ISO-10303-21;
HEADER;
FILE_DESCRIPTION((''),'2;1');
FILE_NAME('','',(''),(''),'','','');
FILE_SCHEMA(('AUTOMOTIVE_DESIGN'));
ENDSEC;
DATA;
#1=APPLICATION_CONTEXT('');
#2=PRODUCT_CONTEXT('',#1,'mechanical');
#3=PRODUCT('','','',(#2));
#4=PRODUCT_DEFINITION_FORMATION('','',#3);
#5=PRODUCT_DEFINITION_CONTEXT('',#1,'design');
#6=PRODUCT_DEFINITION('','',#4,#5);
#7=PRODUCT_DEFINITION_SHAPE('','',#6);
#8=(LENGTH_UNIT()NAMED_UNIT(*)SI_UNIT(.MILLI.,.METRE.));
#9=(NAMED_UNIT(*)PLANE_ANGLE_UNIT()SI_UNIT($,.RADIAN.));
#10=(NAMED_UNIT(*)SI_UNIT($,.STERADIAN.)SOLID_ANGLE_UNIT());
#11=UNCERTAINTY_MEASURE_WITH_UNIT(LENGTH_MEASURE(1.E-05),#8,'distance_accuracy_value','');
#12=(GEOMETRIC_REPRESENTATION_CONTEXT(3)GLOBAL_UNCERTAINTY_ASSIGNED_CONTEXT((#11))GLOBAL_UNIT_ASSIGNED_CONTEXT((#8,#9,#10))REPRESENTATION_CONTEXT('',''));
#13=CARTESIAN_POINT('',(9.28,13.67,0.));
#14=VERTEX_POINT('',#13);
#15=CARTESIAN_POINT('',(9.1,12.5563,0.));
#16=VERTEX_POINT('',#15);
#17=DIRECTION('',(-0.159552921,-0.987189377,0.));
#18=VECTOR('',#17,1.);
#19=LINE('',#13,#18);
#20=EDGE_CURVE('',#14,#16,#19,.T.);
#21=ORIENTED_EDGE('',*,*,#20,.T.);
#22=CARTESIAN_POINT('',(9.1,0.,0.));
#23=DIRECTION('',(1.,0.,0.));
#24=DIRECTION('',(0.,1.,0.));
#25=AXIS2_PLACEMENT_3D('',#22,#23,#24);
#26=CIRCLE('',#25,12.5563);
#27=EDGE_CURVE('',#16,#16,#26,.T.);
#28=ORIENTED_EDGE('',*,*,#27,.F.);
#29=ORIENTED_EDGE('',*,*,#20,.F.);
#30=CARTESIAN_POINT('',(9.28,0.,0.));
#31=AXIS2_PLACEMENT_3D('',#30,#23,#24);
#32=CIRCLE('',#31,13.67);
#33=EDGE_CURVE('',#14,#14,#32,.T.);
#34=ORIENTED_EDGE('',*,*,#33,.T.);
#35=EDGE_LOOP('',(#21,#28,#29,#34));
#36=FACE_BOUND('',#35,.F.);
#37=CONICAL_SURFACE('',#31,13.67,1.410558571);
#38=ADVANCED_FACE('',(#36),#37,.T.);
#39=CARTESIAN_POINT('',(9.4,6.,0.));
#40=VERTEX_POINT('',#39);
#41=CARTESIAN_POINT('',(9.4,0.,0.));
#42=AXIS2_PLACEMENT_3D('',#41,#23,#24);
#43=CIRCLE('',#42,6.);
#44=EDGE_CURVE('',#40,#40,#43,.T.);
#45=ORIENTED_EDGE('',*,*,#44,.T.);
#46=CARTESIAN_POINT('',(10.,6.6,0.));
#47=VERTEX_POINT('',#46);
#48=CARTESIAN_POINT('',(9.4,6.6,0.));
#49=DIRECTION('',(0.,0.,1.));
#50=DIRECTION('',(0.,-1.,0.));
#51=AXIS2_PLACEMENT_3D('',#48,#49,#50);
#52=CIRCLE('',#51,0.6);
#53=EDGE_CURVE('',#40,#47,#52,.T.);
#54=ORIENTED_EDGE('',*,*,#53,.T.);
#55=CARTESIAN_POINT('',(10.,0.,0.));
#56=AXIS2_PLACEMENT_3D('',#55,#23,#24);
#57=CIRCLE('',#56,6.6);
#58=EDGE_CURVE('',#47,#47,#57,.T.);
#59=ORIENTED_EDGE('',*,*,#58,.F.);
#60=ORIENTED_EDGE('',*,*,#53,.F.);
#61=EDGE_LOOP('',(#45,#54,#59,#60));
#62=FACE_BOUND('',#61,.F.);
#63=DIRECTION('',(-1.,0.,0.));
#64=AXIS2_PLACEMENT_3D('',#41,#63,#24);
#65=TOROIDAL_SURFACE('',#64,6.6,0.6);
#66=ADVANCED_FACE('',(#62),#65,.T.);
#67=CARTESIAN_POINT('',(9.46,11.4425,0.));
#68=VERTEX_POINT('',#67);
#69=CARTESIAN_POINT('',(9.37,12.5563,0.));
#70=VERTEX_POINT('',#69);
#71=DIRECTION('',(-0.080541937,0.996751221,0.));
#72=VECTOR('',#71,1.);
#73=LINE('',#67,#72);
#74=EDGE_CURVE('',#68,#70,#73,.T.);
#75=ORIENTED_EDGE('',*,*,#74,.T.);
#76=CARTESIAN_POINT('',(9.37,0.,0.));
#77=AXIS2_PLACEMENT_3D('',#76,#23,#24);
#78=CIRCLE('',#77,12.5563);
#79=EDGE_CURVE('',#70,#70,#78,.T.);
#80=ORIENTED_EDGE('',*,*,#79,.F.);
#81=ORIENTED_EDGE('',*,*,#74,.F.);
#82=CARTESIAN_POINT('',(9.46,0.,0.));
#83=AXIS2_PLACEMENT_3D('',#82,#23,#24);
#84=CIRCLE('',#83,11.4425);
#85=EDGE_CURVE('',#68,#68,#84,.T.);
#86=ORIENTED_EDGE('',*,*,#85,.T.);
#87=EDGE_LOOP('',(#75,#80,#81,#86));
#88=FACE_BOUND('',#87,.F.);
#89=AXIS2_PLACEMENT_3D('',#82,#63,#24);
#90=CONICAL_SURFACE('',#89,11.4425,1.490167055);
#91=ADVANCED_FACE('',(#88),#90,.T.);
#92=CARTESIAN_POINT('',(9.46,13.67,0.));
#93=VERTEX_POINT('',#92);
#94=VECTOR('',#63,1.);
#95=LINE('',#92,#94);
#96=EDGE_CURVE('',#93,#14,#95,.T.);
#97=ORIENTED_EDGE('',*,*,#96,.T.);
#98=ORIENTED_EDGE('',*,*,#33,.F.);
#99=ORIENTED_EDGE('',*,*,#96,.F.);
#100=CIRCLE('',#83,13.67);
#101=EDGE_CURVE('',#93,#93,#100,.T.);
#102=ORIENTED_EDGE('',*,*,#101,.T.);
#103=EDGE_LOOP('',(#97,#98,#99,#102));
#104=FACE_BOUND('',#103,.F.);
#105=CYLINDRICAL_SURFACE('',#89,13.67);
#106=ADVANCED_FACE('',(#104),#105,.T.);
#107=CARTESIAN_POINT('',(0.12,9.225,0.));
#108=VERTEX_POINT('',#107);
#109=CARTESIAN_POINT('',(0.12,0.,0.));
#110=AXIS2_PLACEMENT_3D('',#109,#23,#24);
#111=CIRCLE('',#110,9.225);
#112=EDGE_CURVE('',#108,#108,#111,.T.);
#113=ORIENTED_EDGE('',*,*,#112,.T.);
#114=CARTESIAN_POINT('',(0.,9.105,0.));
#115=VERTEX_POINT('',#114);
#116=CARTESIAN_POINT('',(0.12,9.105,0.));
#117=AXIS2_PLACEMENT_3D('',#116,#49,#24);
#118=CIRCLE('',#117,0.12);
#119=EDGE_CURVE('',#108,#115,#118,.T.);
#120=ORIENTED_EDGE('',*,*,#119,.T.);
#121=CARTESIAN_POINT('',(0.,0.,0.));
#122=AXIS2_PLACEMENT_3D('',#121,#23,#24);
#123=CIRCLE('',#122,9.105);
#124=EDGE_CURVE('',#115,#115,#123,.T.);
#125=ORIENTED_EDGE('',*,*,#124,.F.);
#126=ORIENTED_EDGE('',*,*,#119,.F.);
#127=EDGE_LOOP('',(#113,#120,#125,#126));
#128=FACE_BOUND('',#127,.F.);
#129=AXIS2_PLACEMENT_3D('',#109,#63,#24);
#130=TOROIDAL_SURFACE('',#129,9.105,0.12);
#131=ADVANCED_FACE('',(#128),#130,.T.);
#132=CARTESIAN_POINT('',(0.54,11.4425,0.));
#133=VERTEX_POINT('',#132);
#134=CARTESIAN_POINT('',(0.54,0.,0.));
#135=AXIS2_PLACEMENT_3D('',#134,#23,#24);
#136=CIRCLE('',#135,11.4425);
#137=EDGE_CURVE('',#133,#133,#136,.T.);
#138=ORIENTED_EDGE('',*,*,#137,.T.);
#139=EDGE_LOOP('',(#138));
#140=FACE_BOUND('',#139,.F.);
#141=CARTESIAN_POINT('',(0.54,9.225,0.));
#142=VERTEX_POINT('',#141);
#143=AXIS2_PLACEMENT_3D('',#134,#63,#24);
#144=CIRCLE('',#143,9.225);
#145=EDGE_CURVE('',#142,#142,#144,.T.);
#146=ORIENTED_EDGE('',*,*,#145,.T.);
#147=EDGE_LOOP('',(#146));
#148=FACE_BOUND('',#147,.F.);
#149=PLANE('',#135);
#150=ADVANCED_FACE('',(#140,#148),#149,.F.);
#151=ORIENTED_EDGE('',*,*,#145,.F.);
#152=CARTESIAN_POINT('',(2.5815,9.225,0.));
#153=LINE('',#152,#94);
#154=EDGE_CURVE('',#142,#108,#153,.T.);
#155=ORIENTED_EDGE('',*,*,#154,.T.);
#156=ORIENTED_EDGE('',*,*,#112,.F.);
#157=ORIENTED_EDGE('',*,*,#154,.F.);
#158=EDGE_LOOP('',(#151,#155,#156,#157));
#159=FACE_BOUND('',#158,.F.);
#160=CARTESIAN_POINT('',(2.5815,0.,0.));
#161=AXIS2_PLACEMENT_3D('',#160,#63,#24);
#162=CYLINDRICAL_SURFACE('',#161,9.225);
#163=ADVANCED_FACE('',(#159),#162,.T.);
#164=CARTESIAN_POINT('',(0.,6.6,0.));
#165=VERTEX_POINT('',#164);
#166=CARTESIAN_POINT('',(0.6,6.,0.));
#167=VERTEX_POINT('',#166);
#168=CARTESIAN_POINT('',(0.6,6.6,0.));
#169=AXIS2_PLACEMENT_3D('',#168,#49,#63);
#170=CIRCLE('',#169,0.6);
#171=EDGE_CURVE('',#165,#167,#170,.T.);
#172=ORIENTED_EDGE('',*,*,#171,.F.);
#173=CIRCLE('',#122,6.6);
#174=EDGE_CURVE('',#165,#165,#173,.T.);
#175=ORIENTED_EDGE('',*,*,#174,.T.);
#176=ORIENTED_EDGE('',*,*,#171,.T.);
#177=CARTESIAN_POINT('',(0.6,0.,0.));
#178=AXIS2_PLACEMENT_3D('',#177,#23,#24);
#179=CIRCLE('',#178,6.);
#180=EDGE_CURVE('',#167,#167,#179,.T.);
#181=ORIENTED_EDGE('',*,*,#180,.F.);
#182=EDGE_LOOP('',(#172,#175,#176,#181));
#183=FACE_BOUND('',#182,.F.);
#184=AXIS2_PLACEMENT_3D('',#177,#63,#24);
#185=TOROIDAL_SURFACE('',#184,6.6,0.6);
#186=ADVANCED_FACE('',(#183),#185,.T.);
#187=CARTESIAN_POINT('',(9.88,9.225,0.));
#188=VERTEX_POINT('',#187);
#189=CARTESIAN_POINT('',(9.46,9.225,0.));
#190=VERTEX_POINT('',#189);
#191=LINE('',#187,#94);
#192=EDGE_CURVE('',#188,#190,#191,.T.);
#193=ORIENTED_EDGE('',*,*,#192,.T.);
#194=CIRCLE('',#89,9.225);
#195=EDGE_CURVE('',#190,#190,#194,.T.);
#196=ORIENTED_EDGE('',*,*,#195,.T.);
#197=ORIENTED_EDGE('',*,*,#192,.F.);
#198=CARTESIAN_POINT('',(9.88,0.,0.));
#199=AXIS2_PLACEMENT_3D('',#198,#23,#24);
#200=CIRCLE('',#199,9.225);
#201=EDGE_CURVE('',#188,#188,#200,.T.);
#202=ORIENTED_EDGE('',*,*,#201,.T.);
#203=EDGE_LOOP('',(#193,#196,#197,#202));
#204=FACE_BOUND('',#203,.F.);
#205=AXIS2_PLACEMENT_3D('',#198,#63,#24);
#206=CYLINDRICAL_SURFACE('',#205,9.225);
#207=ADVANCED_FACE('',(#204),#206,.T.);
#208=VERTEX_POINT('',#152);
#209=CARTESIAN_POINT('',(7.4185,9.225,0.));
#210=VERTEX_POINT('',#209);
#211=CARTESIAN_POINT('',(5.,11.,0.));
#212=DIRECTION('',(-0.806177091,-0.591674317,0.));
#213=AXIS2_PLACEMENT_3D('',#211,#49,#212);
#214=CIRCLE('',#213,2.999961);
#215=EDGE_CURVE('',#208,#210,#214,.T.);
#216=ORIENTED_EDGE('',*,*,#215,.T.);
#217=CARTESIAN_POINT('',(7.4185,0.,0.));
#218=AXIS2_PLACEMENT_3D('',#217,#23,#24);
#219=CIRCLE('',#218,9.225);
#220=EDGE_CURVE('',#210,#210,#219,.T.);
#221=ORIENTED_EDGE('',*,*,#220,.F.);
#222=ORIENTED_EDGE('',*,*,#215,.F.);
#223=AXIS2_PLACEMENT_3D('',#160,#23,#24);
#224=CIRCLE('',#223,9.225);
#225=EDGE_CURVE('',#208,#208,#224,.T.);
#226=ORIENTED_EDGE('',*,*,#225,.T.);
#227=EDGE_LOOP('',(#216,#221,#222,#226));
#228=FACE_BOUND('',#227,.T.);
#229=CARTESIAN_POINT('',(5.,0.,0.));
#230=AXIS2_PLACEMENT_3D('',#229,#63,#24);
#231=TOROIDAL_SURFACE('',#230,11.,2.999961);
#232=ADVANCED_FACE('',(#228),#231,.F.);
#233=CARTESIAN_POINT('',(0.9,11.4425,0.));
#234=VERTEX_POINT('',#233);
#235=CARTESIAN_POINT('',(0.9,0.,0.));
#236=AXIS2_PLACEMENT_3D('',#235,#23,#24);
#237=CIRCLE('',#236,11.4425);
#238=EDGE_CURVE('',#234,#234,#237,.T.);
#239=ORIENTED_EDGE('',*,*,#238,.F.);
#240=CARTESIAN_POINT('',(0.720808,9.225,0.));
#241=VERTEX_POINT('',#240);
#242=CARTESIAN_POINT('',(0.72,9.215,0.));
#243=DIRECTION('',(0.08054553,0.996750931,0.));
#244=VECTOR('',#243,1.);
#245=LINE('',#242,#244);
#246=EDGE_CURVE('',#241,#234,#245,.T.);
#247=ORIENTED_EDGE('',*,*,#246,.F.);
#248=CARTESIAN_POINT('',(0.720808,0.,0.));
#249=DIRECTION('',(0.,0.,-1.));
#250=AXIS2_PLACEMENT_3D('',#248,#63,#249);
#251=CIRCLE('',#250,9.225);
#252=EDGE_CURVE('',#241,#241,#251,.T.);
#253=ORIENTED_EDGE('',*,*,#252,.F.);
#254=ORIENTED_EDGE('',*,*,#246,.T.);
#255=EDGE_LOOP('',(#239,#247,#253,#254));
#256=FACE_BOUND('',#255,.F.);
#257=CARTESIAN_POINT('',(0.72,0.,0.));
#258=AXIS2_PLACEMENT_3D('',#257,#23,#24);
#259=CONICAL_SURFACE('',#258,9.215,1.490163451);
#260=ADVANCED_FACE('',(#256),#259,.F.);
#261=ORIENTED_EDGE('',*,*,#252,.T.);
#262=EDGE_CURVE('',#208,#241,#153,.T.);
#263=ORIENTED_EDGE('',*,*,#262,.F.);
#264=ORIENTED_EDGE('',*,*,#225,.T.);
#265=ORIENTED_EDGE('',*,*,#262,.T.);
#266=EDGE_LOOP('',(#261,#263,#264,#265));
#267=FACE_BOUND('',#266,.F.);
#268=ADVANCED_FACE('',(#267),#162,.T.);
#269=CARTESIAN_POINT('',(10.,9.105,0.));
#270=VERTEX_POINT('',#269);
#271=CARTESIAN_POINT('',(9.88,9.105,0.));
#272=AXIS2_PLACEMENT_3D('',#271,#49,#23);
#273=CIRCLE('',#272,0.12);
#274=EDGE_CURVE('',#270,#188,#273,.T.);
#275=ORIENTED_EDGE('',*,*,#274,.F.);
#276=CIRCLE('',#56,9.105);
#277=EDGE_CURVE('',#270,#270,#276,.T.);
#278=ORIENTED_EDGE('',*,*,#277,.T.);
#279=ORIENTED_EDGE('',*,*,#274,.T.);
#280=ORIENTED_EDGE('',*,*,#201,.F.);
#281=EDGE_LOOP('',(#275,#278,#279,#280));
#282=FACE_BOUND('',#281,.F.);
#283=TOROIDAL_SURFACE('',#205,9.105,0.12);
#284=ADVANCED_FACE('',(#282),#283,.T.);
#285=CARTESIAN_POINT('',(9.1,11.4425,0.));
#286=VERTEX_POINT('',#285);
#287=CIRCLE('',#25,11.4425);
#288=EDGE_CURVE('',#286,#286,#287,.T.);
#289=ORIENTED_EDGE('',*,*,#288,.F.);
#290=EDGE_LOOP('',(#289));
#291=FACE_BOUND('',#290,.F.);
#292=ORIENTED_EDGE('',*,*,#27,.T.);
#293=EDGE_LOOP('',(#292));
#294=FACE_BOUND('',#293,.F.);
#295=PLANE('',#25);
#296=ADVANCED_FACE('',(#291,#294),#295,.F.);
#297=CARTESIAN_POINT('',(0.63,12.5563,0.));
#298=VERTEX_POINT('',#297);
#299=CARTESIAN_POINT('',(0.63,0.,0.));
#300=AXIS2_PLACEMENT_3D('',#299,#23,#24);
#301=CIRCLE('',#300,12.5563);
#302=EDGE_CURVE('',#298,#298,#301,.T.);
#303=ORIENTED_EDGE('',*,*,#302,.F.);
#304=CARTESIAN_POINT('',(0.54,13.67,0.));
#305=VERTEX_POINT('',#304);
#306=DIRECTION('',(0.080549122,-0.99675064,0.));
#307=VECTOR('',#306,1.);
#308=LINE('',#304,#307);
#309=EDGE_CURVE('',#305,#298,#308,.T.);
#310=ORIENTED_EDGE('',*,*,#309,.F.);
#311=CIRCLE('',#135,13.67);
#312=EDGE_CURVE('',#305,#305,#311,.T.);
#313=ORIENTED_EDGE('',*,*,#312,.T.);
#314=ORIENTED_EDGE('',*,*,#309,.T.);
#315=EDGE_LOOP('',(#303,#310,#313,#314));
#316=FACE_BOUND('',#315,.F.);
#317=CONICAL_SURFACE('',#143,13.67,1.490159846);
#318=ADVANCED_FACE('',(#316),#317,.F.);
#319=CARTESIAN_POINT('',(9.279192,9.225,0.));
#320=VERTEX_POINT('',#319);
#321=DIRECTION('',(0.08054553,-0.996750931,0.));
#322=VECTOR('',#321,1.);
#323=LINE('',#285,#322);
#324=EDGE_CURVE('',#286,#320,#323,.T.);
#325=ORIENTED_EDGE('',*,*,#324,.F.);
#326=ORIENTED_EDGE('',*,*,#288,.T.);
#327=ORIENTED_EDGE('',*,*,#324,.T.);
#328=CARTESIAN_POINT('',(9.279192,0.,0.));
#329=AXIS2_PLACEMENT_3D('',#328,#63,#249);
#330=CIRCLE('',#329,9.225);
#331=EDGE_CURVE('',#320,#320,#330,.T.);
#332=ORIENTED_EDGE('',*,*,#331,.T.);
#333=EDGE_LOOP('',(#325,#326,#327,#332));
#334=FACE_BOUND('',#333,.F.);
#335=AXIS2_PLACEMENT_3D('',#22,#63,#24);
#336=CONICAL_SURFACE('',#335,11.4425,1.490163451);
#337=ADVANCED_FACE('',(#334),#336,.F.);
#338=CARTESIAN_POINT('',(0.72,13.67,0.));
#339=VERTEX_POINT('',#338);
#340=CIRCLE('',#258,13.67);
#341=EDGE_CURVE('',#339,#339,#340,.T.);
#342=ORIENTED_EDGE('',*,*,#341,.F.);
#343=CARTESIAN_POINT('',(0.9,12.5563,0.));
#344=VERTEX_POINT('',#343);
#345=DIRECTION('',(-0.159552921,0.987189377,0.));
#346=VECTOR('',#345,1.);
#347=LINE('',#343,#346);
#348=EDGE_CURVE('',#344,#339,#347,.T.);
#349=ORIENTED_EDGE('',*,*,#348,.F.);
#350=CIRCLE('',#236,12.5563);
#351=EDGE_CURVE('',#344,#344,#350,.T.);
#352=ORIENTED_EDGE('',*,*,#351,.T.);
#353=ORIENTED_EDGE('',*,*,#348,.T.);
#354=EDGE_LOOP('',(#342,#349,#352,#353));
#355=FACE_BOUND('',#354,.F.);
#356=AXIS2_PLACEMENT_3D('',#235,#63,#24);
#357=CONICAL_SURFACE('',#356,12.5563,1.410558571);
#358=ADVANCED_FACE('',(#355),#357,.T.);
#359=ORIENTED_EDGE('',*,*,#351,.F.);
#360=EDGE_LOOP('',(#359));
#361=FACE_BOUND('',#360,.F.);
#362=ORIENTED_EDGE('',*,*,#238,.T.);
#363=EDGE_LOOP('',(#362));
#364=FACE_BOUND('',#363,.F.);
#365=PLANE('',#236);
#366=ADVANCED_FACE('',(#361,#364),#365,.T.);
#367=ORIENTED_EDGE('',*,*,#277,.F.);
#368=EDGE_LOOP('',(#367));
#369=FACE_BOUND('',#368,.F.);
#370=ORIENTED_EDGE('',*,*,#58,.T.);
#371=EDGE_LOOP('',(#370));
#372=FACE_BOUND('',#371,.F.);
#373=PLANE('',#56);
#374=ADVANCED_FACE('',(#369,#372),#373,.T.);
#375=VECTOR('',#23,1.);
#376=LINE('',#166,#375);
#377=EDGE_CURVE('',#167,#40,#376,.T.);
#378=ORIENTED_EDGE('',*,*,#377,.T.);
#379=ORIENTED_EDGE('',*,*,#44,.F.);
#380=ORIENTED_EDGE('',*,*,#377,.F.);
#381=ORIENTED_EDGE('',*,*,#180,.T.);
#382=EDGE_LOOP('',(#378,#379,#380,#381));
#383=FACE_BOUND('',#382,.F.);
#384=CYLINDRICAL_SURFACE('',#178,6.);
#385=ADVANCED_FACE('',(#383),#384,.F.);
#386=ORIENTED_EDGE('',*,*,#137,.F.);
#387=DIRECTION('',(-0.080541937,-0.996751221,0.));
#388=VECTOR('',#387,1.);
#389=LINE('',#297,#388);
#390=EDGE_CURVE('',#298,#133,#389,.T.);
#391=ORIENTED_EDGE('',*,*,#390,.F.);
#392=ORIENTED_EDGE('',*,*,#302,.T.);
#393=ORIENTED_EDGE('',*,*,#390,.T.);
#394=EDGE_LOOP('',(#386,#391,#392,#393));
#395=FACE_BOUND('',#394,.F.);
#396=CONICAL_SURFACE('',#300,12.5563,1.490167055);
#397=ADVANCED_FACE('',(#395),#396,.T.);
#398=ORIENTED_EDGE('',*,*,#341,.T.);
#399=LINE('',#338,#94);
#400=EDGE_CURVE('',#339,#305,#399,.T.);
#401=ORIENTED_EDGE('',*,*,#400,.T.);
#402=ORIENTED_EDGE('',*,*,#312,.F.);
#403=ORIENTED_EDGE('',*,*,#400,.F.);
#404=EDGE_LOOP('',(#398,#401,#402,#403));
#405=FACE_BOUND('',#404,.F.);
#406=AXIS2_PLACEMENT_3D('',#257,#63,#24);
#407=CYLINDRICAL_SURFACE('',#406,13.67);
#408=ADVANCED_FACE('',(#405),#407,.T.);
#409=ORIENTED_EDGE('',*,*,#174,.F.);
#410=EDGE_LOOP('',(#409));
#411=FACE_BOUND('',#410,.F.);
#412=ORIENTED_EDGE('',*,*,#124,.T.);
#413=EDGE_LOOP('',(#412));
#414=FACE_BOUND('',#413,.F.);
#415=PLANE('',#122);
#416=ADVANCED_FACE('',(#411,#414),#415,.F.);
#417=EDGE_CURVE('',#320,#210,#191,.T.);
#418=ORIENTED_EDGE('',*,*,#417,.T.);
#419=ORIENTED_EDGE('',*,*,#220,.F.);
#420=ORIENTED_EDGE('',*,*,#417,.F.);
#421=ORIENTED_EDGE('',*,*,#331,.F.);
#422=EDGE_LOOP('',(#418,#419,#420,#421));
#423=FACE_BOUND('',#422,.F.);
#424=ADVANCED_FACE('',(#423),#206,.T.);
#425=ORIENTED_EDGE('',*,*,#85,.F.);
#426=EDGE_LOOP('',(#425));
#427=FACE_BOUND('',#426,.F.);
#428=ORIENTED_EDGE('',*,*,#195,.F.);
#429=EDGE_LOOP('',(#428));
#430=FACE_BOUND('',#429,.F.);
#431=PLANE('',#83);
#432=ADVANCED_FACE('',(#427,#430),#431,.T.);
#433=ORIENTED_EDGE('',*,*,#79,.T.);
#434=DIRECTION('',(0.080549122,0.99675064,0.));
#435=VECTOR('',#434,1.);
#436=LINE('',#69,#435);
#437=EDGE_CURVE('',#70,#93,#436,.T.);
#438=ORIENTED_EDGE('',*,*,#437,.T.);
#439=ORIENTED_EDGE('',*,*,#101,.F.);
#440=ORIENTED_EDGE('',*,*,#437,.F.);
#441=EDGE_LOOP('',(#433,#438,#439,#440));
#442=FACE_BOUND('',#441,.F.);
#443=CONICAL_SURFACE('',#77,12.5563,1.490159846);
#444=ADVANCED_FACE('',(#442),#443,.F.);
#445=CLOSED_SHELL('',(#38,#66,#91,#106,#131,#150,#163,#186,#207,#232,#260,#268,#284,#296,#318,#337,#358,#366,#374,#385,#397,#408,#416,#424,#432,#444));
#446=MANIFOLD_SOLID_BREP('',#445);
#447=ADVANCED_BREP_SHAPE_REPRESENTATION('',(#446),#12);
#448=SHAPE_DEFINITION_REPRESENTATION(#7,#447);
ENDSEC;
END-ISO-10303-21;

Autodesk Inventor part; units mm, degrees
ref_plane "YZ Plane" through (0, 0, 0) normal (1, 0, 0) x (0, 1, 0)
ref_plane "XZ Plane" through (0, 0, 0) normal (0, 1, 0) x (-1, 0, 0)
ref_plane "XY Plane" through (0, 0, 0) normal (0, 0, 1) x (1, 0, 0)
sketch "Sketch_17" plane through (0, 0, 0) normal (0, 0, 1) x (1, 0, 0)
  line L0 (50, 0) -> (-50, 0)
  line L1 (0, 9.105) -> (0, 6.6)
  arc A0 (0, 6.6) -> (0.6, 6) centre (0.6, 6.6) ccw
  line L2 (0.6, 6) -> (9.4, 6)
  arc A1 (9.4, 6) -> (10, 6.6) centre (9.4, 6.6) ccw
  line L3 (10, 6.6) -> (10, 9.105)
  arc A2 (10, 9.105) -> (9.88, 9.225) centre (9.88, 9.105) ccw
  line L4 (9.88, 9.225) -> (7.4185, 9.225)
  arc A3 (2.5815, 9.225) -> (7.4185, 9.225) centre (5, 11) ccw
  line L5 (2.5815, 9.225) -> (0.12, 9.225)
  arc A4 (0.12, 9.225) -> (0, 9.105) centre (0.12, 9.105) ccw
revolve "Revolution1" add sketch "Sketch_17" angle 360 about axis through (50, 0, 0) along (1, 0, 0)
sketch "Sketch_20" plane through (0, 0, 0) normal (0, 0, 1) x (1, 0, 0)
  line L0 (50, 0) -> (-50, 0)
  line L1 (0.54, 13.67) -> (0.63, 12.5563)
  line L2 (0.63, 12.5563) -> (0.54, 11.4425)
  line L3 (0.54, 11.4425) -> (0.54, 9.215)
  line L4 (0.54, 9.215) -> (0.72, 9.215)
  line L5 (0.72, 9.215) -> (0.9, 11.4425)
  line L6 (0.9, 11.4425) -> (0.9, 12.5563)
  line L7 (0.9, 12.5563) -> (0.72, 13.67)
  line L8 (0.72, 13.67) -> (0.54, 13.67)
revolve "Revolution2" add sketch "Sketch_20" angle 360 about axis through (50, 0, 0) along (1, 0, 0)
sketch "Sketch_21" plane through (0, 0, 0) normal (0, 0, 1) x (1, 0, 0)
  line L0 (50, 0) -> (-50, 0)
  line L1 (9.1, 12.5563) -> (9.1, 11.4425)
  line L2 (9.1, 11.4425) -> (9.28, 9.215)
  line L3 (9.28, 9.215) -> (9.46, 9.215)
  line L4 (9.46, 9.215) -> (9.46, 11.4425)
  line L5 (9.46, 11.4425) -> (9.37, 12.5563)
  line L6 (9.37, 12.5563) -> (9.46, 13.67)
  line L7 (9.46, 13.67) -> (9.28, 13.67)
  line L8 (9.28, 13.67) -> (9.1, 12.5563)
revolve "Revolution3" add sketch "Sketch_21" angle 360 about axis through (50, 0, 0) along (1, 0, 0)
properties part number "6201-2Z_PART1"
